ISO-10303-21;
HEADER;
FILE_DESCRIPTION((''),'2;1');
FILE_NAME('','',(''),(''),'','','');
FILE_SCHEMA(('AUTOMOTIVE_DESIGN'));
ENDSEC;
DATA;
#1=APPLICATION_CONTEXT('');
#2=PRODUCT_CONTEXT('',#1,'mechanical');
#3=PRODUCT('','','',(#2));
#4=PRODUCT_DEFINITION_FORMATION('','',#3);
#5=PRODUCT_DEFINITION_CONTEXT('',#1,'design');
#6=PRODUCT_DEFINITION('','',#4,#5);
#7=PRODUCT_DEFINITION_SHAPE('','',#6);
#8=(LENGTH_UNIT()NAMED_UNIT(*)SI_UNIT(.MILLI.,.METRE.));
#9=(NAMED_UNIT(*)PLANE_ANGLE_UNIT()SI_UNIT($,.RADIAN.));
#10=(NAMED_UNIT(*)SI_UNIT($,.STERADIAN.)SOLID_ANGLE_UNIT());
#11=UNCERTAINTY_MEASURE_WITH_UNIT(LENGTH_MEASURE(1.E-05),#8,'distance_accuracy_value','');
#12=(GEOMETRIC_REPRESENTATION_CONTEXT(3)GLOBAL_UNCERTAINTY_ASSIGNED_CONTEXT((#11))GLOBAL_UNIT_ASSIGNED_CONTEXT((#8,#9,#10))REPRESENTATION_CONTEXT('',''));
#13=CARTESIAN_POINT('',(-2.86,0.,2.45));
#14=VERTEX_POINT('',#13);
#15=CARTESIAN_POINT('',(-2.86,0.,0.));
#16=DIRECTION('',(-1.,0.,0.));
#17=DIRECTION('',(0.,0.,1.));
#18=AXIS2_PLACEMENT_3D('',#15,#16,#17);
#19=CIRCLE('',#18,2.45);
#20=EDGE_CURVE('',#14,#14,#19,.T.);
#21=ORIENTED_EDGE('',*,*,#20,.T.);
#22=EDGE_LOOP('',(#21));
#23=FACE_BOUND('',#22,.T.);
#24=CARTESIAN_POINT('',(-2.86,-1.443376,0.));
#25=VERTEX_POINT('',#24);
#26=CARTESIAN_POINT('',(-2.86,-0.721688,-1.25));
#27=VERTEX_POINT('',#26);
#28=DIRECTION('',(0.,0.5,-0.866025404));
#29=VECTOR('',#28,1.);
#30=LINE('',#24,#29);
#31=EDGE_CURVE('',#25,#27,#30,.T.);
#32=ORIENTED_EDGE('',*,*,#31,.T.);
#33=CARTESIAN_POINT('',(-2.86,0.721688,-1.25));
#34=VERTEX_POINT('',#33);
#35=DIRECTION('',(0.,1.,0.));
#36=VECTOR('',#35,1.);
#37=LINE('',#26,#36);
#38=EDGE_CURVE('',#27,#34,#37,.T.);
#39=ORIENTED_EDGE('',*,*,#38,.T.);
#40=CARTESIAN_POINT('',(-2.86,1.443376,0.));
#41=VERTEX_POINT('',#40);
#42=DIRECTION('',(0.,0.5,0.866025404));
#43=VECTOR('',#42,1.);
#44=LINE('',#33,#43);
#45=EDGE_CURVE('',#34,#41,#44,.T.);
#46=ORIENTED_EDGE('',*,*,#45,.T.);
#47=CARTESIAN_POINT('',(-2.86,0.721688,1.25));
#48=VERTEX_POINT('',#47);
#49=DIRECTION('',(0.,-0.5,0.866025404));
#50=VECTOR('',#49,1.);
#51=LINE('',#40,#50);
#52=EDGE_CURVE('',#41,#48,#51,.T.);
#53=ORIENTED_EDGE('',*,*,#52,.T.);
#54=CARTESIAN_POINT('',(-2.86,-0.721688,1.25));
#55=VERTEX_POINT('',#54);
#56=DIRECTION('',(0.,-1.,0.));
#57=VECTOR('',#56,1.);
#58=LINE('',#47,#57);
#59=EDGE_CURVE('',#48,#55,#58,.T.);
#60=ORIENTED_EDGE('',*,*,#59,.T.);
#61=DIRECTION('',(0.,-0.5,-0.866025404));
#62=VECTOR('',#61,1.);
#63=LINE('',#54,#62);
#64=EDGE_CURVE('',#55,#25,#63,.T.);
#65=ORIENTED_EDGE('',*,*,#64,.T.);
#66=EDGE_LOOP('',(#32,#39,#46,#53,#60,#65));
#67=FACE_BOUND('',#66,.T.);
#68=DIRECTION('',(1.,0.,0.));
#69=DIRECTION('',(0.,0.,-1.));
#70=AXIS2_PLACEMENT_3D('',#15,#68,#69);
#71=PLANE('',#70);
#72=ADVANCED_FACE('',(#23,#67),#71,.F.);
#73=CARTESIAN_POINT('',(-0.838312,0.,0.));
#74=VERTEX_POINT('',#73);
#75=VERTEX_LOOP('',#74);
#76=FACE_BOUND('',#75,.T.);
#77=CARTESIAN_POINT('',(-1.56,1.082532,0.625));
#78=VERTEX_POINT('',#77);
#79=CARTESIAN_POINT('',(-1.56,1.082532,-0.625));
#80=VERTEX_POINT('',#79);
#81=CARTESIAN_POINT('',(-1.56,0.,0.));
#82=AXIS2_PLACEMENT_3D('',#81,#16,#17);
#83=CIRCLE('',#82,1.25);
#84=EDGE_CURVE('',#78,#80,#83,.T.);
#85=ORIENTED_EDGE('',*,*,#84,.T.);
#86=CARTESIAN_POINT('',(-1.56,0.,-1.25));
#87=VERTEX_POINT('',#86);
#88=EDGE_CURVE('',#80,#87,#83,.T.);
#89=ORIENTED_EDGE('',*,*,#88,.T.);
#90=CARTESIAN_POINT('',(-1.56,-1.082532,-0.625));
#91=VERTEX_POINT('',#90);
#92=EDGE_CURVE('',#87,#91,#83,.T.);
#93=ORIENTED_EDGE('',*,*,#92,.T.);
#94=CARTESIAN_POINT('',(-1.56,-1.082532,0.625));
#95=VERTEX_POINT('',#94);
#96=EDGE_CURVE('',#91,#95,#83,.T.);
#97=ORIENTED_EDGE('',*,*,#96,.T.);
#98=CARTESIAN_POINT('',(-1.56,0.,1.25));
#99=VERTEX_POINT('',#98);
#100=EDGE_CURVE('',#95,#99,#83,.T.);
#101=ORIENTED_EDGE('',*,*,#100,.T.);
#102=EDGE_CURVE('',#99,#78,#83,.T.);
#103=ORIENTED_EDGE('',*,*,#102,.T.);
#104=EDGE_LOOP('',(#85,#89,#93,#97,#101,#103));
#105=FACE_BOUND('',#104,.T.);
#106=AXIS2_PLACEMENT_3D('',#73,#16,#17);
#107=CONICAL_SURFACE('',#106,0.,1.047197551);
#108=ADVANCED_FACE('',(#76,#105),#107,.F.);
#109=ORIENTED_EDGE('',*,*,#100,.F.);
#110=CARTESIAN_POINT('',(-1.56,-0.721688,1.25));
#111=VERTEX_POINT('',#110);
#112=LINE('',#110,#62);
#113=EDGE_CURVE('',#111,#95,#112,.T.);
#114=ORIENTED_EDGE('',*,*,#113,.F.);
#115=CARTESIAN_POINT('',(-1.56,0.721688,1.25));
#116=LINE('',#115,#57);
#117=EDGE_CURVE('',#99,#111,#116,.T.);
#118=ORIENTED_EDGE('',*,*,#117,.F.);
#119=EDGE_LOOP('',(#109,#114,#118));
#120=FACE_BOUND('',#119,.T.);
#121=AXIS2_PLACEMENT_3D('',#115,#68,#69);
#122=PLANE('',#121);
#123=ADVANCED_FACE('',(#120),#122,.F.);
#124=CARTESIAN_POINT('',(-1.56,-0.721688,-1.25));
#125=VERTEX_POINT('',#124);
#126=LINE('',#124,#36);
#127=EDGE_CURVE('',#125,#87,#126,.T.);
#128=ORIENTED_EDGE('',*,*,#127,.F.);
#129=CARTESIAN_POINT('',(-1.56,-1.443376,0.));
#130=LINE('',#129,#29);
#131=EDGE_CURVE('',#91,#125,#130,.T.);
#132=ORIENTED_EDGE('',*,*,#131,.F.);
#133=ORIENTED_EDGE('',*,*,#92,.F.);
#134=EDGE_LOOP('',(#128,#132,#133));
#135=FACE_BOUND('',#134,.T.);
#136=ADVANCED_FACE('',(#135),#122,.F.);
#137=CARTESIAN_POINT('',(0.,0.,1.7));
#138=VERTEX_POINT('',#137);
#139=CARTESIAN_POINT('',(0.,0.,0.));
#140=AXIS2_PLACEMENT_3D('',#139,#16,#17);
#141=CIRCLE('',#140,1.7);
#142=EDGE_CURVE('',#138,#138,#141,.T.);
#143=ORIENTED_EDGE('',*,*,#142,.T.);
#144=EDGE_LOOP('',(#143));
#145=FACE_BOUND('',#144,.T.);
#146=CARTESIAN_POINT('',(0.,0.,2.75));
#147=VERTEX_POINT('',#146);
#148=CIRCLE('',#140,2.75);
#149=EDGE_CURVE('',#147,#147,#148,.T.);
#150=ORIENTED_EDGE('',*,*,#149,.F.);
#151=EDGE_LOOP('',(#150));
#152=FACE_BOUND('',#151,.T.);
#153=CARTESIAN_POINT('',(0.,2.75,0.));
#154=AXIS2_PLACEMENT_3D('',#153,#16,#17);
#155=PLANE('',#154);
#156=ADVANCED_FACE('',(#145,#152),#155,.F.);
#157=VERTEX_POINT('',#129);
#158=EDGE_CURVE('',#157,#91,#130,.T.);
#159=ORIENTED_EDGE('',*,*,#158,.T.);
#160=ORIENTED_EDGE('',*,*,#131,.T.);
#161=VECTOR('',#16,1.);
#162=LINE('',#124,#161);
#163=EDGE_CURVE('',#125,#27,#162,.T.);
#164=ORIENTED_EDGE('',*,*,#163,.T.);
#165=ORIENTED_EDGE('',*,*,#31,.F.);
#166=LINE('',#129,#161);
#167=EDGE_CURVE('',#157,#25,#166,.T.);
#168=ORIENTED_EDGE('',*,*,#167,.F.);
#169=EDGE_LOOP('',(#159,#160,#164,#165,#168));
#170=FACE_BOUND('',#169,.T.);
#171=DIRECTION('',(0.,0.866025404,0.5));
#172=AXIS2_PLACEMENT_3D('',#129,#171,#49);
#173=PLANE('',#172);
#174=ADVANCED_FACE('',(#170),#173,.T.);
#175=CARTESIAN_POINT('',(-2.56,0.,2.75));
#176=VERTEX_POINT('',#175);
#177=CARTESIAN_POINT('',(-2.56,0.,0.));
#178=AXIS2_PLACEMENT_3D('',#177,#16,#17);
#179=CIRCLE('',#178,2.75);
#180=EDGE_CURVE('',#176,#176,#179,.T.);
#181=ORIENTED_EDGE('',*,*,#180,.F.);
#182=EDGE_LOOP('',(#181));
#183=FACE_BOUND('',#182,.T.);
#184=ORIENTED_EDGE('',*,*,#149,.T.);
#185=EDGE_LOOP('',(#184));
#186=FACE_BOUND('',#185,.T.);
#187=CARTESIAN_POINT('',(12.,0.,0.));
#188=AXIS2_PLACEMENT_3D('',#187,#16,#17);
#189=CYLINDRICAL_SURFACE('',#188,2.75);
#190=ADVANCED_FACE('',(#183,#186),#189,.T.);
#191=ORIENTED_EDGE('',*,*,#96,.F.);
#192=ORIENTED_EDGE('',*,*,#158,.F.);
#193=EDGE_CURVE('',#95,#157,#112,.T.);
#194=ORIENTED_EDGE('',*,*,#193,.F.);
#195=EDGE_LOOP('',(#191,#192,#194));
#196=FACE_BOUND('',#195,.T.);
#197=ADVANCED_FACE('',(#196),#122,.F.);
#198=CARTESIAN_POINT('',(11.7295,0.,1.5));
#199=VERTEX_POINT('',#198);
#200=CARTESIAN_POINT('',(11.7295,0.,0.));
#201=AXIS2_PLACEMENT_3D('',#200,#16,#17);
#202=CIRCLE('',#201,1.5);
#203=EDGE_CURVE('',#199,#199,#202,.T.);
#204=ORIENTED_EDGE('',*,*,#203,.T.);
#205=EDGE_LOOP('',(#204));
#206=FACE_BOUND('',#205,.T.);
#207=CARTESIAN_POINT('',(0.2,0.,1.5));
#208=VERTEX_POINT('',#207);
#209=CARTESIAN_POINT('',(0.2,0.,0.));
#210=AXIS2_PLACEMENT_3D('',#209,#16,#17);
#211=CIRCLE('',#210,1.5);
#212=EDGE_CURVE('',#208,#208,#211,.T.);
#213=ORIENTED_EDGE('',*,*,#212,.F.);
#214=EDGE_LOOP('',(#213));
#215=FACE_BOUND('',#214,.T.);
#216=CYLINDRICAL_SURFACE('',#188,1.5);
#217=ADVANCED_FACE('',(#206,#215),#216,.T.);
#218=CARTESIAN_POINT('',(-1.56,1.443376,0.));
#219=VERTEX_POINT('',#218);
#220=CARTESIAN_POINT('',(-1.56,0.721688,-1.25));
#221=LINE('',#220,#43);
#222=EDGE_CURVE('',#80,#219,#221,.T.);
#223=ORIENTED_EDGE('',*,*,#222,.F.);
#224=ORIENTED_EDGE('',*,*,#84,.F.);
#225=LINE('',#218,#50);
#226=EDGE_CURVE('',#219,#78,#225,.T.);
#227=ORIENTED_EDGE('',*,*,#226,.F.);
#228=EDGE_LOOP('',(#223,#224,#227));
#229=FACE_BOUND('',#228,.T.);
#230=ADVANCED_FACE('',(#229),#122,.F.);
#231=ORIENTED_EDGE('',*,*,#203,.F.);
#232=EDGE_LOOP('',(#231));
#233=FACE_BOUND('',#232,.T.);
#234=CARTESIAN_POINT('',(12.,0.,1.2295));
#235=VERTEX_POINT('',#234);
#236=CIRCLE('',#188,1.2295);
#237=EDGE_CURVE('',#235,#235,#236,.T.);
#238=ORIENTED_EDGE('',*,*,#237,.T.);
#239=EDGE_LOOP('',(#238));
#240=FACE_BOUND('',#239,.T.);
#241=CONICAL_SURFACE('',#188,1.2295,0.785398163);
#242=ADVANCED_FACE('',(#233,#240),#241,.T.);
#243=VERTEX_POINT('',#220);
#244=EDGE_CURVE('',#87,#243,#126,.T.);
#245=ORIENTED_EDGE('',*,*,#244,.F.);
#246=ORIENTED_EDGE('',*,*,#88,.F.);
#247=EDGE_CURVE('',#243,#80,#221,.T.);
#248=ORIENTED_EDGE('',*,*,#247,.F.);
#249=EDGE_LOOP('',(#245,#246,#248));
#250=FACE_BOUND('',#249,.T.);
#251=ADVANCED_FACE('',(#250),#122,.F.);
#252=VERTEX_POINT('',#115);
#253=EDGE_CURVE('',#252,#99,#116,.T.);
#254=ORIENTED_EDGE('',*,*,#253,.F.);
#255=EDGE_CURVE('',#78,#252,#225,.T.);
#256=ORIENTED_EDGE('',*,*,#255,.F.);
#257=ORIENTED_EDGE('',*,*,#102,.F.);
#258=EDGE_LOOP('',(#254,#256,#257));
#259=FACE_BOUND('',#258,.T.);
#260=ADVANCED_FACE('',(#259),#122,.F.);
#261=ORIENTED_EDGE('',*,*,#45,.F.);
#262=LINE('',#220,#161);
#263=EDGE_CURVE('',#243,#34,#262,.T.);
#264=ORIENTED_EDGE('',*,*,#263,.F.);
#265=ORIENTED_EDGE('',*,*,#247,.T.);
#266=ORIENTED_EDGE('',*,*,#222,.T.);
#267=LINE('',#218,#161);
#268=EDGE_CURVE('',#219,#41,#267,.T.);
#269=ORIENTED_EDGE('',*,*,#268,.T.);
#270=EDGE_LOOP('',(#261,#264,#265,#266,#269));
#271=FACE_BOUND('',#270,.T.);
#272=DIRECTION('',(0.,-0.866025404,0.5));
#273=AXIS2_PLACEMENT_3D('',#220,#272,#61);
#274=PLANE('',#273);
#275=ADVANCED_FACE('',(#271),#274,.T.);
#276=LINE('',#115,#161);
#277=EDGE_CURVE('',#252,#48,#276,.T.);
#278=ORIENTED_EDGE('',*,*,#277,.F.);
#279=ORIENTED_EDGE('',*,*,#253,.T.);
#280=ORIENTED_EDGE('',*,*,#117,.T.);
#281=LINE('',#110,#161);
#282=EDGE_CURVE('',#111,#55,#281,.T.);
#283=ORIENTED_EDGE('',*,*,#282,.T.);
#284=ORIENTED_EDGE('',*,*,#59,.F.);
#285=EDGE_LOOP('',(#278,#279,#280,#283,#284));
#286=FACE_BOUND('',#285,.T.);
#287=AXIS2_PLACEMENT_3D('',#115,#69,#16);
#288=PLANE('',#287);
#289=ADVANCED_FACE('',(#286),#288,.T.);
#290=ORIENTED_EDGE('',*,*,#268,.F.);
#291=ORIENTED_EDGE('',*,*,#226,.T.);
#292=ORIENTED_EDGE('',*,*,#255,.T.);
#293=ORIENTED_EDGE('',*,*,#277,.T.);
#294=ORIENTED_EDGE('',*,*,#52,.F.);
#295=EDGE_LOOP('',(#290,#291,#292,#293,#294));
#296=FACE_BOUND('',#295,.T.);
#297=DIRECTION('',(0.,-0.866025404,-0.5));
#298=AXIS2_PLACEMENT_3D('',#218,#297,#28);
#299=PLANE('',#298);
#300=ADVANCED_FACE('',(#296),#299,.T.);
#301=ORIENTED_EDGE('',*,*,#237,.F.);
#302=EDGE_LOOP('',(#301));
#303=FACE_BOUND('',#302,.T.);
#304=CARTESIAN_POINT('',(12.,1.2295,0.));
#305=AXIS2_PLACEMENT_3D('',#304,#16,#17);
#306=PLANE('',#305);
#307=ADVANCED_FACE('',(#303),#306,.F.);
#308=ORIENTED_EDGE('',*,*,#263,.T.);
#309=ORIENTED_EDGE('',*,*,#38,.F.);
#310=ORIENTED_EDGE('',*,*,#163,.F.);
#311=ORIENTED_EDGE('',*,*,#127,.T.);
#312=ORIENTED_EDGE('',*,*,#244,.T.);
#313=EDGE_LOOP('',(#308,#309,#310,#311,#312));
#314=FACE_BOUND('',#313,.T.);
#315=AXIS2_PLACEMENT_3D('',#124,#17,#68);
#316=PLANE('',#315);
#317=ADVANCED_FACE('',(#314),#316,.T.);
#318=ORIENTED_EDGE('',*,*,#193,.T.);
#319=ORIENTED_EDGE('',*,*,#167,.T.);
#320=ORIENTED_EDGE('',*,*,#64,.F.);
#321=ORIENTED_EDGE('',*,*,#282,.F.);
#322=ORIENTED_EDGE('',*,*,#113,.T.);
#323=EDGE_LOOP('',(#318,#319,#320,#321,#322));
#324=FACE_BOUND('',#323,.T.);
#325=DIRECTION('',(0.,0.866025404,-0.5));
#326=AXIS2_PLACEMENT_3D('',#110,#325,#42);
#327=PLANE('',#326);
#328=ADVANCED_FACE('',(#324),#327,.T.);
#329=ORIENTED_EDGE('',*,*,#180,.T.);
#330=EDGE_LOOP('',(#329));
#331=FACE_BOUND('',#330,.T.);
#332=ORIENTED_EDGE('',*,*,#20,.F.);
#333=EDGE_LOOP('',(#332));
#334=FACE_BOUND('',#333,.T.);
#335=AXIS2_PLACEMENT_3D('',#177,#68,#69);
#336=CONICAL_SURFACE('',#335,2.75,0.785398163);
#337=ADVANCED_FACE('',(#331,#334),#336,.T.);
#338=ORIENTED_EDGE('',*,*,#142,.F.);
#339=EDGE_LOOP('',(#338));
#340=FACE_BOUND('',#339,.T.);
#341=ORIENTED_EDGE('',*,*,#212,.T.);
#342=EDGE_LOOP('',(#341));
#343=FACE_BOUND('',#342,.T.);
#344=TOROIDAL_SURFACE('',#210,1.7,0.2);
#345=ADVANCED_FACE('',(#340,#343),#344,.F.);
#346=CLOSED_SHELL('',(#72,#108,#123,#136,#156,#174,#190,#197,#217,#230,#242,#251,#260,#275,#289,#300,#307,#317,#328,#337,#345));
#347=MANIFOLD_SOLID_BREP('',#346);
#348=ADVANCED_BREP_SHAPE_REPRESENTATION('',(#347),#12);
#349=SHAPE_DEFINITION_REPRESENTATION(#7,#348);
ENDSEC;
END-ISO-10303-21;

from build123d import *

# Parameters (mm, degrees)
CUT_EXTRUDE1_DEPTH = 1.3


with BuildPart() as part:
    # Sketch1 → Revolve1 (revolve)
    with BuildSketch(Plane.XY):
        with BuildLine():
            Line((-2.86, 0), (-2.86, 2.45))
            Line((-2.86, 2.45), (-2.56, 2.75))
            Line((-2.56, 2.75), (0, 2.75))
            Line((0, 2.75), (0, 1.7))
            ThreePointArc((0, 1.7), (0.058578644, 1.558578644), (0.2, 1.5))
            Line((0.2, 1.5), (11.7295, 1.5))
            Line((11.7295, 1.5), (12, 1.2295))
            Line((12, 1.2295), (12, 0))
            Line((12, 0), (-2.86, 0))
        make_face()
    revolve(axis=Axis((12, 0, 0), (-1, 0, 0)))

    # Sketch2 → Cut-Extrude1 (cut)
    with BuildSketch(Plane(origin=(-2.86, 0, 0), x_dir=(0, 0, -1), z_dir=(1, 0, 0))):
        Polygon((-1.25, 0.721687836), (-1.25, -0.721687836), (0, -1.443375673), (1.25, -0.721687836), (1.25, 0.721687836), (0, 1.443375673), align=None)
    extrude(amount=CUT_EXTRUDE1_DEPTH, mode=Mode.SUBTRACT)

    # Sketch3 → Cut-Revolve1 (revolve, cut)
    with BuildSketch(Plane.XY):
        Polygon((-1.56, 0), (-1.56, 1.25), (-0.838312164, 0), align=None)
    revolve(axis=Axis((-0.838312164, 0, 0), (-1, 0, 0)), mode=Mode.SUBTRACT)


solid = part.part
